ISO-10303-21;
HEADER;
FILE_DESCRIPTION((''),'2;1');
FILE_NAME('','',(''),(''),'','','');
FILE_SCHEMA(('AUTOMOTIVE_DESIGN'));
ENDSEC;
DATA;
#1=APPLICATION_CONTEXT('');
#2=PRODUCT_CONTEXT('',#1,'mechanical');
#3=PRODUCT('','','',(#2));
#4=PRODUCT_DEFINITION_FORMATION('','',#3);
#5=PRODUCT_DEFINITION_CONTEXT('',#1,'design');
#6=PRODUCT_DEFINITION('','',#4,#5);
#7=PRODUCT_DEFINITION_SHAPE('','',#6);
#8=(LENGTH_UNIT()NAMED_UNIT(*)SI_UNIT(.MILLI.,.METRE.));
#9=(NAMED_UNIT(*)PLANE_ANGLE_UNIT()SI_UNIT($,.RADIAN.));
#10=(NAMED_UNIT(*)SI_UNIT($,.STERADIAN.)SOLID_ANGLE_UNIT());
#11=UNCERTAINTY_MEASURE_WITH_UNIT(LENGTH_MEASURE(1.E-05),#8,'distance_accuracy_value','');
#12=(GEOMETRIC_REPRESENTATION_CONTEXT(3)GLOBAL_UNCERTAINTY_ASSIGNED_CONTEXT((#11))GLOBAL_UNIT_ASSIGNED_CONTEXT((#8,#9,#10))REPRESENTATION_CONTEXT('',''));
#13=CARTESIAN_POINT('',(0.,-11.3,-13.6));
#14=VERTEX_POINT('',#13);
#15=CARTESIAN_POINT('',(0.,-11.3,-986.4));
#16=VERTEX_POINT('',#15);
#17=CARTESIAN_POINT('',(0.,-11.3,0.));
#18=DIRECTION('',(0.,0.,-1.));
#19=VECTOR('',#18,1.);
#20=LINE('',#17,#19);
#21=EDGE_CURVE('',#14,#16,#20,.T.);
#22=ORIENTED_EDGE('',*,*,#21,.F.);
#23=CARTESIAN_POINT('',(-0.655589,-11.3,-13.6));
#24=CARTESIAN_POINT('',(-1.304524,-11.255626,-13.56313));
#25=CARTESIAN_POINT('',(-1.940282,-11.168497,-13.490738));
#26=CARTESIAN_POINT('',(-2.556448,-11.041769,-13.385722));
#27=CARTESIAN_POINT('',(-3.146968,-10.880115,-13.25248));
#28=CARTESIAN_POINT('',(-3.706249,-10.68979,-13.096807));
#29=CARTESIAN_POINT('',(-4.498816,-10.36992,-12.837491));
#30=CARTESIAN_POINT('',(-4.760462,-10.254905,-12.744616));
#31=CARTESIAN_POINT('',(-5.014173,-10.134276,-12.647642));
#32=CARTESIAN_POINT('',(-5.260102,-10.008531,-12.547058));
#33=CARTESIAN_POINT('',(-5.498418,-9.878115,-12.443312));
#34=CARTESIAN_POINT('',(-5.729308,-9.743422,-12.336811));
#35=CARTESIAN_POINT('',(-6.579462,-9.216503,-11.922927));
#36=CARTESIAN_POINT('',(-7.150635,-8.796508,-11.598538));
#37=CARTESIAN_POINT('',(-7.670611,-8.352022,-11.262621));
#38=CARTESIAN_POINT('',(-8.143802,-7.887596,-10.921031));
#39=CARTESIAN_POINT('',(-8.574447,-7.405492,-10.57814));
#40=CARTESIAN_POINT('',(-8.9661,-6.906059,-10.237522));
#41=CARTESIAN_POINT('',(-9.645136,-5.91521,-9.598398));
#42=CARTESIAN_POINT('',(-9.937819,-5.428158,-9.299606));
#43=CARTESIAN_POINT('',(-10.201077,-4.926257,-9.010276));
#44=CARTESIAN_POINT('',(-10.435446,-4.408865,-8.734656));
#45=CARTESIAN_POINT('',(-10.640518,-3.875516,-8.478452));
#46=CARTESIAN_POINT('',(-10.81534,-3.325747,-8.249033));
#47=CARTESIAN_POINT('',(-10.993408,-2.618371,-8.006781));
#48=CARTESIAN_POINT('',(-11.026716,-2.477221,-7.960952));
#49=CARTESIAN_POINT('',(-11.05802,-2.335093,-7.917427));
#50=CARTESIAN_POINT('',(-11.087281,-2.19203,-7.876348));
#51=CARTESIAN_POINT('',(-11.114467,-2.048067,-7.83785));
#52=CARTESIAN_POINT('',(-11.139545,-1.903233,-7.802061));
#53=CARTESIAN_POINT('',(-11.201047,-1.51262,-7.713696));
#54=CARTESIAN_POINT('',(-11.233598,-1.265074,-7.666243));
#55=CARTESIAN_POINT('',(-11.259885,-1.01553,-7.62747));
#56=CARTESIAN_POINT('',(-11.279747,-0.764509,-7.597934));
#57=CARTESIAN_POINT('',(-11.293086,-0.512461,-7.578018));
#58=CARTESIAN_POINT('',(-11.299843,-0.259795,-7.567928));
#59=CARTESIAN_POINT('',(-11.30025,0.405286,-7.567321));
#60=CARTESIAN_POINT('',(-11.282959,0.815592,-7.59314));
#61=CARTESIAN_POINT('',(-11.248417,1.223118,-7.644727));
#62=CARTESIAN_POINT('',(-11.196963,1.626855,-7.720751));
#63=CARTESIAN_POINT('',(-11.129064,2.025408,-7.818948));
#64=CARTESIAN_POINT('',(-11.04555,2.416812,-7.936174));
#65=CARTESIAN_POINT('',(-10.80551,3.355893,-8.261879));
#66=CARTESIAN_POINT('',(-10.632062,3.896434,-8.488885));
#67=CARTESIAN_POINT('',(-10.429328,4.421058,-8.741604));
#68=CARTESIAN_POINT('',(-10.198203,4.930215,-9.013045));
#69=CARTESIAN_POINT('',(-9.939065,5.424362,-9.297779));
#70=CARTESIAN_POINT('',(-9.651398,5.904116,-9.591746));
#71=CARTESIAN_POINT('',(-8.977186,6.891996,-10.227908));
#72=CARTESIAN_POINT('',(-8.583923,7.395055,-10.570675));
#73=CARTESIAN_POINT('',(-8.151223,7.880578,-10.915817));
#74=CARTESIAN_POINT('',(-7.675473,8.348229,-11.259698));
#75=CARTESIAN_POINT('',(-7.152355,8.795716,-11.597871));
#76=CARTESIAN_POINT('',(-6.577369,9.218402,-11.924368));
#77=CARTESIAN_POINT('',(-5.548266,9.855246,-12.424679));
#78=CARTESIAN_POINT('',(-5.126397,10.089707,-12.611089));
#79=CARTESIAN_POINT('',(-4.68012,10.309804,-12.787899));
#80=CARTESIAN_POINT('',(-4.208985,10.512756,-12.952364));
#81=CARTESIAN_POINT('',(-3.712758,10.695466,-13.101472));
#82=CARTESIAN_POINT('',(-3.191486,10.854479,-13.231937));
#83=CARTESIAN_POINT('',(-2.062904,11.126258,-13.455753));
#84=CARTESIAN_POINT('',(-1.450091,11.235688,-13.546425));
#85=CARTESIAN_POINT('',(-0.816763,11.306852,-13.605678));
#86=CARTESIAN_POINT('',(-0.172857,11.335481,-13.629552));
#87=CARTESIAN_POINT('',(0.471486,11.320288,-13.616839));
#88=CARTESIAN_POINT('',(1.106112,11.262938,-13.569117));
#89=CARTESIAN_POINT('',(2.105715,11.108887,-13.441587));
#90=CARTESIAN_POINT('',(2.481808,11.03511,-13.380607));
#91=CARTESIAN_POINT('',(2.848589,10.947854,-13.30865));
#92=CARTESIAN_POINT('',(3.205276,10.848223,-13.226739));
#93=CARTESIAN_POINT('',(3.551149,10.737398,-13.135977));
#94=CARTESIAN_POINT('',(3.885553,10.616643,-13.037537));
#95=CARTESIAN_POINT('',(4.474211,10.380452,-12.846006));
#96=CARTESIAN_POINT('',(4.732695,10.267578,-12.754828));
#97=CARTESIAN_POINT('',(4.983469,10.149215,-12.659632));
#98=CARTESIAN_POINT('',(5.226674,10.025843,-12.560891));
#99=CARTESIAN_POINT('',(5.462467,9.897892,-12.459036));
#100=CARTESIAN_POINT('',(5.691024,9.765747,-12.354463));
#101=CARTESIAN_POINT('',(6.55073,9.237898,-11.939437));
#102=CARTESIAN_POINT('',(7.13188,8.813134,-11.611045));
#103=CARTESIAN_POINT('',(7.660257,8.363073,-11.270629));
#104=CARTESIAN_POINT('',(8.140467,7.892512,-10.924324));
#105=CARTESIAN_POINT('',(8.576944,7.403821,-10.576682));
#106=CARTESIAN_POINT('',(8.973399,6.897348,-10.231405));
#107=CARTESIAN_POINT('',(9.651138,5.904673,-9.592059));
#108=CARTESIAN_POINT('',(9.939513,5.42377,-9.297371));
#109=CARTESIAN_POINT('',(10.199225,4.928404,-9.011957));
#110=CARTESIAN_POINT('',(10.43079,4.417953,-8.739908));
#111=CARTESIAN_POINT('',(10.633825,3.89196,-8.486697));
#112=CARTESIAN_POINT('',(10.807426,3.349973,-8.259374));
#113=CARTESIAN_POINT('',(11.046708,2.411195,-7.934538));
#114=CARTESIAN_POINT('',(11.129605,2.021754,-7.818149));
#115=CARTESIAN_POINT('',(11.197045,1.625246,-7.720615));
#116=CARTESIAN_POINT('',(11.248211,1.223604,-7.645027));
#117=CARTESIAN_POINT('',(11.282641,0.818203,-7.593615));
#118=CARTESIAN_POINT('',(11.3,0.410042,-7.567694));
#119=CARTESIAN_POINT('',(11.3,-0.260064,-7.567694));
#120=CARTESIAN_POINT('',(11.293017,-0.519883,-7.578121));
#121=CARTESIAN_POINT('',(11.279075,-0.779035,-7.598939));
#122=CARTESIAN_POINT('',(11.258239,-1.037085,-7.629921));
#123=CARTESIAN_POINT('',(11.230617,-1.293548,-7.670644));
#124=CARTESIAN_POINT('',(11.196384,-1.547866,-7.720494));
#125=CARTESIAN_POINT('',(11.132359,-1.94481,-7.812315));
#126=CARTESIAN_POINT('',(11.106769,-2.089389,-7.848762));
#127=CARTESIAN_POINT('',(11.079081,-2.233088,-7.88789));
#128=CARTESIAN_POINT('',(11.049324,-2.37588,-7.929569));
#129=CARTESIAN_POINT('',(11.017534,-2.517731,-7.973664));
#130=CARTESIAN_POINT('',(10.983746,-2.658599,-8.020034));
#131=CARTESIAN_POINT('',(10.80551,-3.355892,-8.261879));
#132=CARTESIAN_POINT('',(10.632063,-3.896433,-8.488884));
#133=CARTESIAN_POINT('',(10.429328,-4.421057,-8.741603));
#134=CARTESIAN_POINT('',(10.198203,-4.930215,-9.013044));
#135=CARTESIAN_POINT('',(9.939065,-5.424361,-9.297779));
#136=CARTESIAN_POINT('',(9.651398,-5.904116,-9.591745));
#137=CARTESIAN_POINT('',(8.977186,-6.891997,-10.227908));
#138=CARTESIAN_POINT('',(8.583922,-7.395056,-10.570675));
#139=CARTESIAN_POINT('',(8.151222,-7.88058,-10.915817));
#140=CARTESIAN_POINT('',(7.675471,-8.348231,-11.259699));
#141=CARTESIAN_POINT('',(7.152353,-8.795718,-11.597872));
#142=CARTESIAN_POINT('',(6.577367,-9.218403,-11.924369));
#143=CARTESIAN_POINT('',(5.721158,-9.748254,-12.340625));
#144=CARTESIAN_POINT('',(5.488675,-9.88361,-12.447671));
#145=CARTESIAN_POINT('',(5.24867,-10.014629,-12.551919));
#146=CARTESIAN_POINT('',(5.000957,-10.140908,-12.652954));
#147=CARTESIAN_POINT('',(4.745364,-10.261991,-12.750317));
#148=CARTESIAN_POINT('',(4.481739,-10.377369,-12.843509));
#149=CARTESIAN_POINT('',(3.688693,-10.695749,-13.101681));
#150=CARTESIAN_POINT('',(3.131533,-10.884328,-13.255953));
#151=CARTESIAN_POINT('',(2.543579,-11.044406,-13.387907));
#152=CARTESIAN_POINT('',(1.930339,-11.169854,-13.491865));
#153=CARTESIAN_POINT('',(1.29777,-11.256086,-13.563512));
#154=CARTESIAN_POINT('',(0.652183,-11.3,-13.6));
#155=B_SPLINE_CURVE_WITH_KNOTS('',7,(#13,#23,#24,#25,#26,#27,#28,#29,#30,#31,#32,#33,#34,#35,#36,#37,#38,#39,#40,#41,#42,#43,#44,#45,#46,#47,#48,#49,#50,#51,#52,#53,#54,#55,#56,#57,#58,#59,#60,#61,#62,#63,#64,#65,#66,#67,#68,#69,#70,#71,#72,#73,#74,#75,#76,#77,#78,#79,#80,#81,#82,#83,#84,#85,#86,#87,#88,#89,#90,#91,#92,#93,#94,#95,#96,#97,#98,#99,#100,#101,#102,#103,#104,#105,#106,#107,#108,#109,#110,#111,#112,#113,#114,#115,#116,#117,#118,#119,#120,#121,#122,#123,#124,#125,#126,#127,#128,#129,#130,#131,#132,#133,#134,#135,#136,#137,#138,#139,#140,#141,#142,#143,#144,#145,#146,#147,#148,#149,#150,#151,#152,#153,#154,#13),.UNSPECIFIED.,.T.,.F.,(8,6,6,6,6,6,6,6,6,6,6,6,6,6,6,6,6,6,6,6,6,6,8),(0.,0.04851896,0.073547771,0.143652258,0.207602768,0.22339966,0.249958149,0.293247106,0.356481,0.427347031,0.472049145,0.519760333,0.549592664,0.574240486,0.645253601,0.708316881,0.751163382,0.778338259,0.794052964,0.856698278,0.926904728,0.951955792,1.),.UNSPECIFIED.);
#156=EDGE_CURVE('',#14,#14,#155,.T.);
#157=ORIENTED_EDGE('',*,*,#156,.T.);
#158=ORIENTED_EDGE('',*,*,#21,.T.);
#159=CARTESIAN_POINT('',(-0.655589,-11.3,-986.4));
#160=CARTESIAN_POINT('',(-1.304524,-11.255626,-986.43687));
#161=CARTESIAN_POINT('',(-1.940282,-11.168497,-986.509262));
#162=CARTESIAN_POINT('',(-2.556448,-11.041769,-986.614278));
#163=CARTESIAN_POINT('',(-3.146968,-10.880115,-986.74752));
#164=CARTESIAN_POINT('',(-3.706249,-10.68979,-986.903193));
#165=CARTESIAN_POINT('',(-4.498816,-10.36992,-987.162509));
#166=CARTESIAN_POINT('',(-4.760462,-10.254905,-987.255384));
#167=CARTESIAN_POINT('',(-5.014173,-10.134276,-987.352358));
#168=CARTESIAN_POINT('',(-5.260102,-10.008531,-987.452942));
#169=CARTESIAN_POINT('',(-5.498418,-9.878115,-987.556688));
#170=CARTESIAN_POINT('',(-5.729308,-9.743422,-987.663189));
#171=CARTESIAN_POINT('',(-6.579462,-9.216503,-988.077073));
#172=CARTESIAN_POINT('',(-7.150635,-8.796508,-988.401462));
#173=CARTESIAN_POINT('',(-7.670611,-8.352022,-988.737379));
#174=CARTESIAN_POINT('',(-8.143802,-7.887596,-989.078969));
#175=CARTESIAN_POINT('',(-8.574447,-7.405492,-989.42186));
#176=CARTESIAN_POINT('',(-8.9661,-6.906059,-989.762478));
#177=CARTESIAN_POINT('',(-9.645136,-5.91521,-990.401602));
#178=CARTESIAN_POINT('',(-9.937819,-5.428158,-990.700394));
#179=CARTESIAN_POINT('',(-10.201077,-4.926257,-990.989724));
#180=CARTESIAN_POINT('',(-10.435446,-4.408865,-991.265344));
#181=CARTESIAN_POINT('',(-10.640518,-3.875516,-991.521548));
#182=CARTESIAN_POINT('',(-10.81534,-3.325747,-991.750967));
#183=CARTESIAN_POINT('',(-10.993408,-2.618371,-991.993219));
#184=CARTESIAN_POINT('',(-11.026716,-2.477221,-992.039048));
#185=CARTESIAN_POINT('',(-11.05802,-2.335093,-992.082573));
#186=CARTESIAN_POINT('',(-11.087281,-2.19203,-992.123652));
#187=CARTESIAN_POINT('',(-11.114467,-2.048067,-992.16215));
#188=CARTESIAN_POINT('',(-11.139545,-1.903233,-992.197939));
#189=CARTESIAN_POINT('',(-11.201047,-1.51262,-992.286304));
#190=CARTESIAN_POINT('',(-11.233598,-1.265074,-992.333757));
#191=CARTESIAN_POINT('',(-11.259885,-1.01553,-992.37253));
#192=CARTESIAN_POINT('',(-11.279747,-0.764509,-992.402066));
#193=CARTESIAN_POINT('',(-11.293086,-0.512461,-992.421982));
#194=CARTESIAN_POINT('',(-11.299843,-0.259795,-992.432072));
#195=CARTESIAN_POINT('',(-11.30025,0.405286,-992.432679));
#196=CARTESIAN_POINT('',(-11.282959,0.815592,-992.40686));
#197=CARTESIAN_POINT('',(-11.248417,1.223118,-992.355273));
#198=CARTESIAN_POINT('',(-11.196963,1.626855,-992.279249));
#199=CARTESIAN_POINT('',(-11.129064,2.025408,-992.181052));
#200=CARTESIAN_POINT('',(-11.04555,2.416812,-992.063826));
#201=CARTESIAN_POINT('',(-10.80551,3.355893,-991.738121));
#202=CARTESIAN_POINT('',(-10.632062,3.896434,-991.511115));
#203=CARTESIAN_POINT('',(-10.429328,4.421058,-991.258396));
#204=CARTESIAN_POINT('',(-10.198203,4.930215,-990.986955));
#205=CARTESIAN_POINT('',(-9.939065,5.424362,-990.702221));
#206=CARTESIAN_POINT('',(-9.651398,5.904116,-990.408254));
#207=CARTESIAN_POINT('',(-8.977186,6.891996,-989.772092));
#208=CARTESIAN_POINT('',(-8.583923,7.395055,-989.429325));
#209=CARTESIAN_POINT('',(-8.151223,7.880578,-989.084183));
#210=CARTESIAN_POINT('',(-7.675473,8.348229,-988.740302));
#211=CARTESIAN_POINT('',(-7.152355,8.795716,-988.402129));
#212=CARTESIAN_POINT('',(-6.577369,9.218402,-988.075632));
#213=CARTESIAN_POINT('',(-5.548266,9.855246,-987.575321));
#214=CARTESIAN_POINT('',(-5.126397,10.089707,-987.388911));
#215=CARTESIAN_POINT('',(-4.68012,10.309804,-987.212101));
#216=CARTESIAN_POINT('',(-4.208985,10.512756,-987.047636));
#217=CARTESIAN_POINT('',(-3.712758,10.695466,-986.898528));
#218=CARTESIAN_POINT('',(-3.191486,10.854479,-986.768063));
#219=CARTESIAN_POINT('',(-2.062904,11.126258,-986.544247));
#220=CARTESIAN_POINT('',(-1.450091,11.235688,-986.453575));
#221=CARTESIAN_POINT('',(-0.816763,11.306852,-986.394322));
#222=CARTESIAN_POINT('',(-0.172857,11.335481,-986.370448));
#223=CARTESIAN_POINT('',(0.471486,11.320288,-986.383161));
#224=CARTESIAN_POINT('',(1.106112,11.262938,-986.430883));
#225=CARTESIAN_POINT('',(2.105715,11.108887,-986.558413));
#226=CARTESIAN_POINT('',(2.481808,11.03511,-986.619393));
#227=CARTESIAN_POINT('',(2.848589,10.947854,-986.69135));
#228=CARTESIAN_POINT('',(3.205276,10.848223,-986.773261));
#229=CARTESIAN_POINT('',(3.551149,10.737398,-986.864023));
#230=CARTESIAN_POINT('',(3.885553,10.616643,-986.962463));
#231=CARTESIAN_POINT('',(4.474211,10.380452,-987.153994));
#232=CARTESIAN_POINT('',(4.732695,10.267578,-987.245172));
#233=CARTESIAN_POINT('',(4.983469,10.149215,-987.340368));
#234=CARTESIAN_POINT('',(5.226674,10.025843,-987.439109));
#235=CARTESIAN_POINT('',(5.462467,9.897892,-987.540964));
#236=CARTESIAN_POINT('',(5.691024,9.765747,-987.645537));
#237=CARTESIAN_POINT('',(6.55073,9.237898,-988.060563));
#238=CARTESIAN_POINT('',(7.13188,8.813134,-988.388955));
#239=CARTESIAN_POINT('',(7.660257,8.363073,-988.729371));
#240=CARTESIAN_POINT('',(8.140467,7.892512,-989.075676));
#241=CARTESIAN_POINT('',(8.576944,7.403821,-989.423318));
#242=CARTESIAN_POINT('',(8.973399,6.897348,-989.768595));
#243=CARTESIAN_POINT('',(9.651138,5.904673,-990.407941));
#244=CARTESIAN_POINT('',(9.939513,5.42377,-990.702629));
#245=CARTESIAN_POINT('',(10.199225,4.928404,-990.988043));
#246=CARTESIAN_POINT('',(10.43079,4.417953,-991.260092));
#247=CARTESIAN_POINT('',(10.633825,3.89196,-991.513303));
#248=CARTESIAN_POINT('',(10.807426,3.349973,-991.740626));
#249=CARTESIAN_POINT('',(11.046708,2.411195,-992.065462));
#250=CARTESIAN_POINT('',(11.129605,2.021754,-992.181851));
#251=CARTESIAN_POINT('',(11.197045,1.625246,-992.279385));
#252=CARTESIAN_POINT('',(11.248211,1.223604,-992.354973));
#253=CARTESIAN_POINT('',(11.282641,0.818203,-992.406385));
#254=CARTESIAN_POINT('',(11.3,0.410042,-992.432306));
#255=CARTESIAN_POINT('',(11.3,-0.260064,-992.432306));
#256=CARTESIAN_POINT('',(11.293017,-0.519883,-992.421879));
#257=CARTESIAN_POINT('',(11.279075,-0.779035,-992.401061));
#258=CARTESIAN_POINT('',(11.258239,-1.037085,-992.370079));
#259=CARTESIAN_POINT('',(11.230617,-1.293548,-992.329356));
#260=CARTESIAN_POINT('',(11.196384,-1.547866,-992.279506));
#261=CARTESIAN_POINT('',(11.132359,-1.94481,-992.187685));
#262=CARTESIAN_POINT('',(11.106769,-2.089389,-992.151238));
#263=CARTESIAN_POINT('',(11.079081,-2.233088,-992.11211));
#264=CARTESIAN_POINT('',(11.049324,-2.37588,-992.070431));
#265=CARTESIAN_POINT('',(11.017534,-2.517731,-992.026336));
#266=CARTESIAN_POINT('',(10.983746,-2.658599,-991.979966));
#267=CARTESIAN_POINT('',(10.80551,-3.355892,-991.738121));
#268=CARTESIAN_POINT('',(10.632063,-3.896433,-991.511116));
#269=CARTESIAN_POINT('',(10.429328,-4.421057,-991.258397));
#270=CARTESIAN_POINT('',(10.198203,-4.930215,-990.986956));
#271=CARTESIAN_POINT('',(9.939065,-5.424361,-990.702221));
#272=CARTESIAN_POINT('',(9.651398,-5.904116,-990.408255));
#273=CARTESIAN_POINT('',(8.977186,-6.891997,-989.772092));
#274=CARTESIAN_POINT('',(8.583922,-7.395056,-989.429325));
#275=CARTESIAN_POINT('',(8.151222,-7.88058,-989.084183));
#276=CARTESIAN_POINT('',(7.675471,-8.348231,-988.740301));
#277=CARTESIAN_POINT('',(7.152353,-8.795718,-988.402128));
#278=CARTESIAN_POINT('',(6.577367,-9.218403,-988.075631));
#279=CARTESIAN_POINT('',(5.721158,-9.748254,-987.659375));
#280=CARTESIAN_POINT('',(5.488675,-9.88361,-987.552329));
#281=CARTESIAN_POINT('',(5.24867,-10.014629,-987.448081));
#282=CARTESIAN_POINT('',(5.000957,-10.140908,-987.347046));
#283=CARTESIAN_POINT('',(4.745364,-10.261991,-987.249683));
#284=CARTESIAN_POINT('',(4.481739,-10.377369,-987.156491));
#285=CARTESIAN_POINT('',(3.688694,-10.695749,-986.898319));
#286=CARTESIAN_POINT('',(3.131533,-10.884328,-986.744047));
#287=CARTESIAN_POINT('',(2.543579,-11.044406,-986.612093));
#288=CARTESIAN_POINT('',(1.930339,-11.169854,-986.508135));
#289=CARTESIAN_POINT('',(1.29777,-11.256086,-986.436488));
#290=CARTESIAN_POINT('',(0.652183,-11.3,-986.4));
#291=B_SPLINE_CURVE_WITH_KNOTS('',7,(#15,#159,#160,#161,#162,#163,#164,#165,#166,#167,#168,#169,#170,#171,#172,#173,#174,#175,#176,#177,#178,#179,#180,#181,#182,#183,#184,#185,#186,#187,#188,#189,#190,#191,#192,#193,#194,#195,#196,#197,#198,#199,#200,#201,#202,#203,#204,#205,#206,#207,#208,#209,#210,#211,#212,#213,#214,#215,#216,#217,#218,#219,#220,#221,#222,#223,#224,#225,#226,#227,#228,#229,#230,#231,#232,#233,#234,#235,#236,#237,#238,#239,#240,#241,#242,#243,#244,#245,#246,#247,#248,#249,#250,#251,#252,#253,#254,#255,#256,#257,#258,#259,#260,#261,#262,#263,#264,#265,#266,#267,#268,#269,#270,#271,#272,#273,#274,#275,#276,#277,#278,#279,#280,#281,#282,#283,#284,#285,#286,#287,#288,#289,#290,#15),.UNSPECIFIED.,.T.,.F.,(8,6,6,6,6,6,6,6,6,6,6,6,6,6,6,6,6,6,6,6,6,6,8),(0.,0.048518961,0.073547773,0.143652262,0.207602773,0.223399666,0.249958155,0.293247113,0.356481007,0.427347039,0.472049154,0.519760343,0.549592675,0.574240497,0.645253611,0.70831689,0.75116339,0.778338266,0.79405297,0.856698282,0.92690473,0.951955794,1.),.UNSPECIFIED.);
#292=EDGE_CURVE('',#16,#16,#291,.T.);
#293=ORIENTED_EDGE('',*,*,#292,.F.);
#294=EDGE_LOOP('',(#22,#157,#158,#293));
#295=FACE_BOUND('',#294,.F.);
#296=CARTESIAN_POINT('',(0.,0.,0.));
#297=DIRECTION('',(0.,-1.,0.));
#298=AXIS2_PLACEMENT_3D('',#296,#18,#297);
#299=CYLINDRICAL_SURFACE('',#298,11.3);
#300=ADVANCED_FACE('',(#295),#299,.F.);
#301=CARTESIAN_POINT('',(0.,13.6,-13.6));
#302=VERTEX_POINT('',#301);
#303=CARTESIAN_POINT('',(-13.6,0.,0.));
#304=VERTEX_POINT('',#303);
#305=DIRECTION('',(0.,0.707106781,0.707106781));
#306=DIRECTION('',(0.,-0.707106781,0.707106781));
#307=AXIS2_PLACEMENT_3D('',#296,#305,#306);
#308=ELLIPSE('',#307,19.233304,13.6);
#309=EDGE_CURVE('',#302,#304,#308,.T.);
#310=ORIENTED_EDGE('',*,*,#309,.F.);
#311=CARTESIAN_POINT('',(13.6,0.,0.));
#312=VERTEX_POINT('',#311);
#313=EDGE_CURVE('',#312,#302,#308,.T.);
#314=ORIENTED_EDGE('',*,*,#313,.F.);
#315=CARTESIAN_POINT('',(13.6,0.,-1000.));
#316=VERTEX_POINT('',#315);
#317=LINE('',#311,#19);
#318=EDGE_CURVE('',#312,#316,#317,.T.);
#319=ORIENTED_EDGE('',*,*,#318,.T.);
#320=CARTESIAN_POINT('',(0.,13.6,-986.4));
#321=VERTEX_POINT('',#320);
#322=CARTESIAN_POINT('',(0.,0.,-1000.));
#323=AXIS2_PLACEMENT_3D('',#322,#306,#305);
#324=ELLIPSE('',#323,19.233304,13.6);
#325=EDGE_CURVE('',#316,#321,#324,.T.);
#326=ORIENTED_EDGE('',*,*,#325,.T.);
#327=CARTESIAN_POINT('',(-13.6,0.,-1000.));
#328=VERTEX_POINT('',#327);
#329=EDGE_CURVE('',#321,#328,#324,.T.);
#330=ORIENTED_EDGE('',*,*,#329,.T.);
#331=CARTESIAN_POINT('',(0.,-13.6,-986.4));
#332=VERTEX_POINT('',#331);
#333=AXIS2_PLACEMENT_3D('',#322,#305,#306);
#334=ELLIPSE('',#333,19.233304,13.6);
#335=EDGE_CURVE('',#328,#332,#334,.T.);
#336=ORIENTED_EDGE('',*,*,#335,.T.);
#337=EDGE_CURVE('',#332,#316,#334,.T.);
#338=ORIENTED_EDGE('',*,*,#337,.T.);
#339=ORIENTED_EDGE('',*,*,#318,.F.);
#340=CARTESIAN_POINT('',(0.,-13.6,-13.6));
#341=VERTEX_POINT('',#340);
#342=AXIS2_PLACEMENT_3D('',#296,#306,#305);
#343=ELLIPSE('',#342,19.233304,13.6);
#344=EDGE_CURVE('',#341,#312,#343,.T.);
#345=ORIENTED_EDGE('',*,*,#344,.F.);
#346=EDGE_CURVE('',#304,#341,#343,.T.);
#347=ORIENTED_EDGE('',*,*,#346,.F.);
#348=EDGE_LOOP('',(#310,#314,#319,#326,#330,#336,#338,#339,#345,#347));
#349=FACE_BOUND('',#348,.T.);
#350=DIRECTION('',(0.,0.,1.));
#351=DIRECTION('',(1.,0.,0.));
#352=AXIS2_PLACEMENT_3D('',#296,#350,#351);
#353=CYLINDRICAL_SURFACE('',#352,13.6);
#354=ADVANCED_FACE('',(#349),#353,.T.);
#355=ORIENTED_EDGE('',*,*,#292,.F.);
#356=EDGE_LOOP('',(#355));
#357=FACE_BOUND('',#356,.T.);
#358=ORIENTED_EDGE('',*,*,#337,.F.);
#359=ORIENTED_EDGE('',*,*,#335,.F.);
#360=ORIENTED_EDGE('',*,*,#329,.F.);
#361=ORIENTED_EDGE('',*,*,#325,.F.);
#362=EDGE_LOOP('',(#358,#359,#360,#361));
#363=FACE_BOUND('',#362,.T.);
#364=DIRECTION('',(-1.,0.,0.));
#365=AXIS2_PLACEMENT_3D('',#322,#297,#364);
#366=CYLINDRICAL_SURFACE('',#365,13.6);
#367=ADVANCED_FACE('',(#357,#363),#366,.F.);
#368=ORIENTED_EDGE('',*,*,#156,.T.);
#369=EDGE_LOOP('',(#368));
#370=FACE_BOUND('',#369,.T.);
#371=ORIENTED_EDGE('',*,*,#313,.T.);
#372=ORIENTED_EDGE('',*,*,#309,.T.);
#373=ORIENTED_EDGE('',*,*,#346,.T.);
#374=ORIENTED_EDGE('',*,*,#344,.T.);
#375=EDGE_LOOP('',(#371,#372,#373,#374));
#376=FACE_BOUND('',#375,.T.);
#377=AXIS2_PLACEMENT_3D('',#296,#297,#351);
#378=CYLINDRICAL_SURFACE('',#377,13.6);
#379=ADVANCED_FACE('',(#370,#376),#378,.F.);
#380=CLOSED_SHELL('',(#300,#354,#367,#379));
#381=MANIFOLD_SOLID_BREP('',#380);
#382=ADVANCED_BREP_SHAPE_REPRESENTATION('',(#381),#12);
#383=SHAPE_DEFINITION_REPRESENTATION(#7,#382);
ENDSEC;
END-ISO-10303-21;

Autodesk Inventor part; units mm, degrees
ref_plane "YZ Plane" through (0, 0, 0) normal (1, 0, 0) x (0, 1, 0)
ref_plane "XY Plane" through (0, 0, 0) normal (0, 0, 1) x (1, 0, 0)
sketch "スケッチ1" plane through (0, 0, 0) normal (0, 0, 1) x (1, 0, 0)
  circle A0 centre (0, 0) radius 13.6
  dimension "d0" = 27.2
extrude "押し出し1" add sketch "スケッチ1" against normal blind 1000
sketch "スケッチ3" plane through (0, 0, 0) normal (0, 0, 1) x (1, 0, 0)
  circle A0 centre (0, 0) radius 13.6 projected
hole "穴1" at (0, 0, 0) direction (0, 0, -1) diameter 22.6 end through all
ref_plane "作業平面1" through (0, 0, 0) normal (0, 1, 0) x (-1, 0, 0)
sketch "スケッチ4" plane through (0, 0, 0) normal (0, 1, 0) x (-1, 0, 0)
  line L0 (-13.6, 0) -> (13.6, 0) projected
  arc A0 (-13.6, 0) -> (13.6, 0) centre (0, 0) ccw
  line L1 (13.6, 0) -> (-13.6, 0)
extrude "押し出し3" cut sketch "スケッチ4" along normal mid plane 27.2
sketch "スケッチ5" plane through (0, 0, 0) normal (0, 1, 0) x (-1, 0, 0)
  line L0 (-13.6, -1000) -> (13.6, -1000) projected
  arc A0 (13.6, -1000) -> (-13.6, -1000) centre (0, -1000) ccw
  line L1 (-13.6, -1000) -> (13.6, -1000)
  point P0 (0, 0)
extrude "押し出し4" cut sketch "スケッチ5" along normal mid plane 27.2
ref_plane "作業平面2" through (0, 0, 0) normal (0, 1, 0) x (-1, 0, 0)
properties part number "縦のパイプ"
